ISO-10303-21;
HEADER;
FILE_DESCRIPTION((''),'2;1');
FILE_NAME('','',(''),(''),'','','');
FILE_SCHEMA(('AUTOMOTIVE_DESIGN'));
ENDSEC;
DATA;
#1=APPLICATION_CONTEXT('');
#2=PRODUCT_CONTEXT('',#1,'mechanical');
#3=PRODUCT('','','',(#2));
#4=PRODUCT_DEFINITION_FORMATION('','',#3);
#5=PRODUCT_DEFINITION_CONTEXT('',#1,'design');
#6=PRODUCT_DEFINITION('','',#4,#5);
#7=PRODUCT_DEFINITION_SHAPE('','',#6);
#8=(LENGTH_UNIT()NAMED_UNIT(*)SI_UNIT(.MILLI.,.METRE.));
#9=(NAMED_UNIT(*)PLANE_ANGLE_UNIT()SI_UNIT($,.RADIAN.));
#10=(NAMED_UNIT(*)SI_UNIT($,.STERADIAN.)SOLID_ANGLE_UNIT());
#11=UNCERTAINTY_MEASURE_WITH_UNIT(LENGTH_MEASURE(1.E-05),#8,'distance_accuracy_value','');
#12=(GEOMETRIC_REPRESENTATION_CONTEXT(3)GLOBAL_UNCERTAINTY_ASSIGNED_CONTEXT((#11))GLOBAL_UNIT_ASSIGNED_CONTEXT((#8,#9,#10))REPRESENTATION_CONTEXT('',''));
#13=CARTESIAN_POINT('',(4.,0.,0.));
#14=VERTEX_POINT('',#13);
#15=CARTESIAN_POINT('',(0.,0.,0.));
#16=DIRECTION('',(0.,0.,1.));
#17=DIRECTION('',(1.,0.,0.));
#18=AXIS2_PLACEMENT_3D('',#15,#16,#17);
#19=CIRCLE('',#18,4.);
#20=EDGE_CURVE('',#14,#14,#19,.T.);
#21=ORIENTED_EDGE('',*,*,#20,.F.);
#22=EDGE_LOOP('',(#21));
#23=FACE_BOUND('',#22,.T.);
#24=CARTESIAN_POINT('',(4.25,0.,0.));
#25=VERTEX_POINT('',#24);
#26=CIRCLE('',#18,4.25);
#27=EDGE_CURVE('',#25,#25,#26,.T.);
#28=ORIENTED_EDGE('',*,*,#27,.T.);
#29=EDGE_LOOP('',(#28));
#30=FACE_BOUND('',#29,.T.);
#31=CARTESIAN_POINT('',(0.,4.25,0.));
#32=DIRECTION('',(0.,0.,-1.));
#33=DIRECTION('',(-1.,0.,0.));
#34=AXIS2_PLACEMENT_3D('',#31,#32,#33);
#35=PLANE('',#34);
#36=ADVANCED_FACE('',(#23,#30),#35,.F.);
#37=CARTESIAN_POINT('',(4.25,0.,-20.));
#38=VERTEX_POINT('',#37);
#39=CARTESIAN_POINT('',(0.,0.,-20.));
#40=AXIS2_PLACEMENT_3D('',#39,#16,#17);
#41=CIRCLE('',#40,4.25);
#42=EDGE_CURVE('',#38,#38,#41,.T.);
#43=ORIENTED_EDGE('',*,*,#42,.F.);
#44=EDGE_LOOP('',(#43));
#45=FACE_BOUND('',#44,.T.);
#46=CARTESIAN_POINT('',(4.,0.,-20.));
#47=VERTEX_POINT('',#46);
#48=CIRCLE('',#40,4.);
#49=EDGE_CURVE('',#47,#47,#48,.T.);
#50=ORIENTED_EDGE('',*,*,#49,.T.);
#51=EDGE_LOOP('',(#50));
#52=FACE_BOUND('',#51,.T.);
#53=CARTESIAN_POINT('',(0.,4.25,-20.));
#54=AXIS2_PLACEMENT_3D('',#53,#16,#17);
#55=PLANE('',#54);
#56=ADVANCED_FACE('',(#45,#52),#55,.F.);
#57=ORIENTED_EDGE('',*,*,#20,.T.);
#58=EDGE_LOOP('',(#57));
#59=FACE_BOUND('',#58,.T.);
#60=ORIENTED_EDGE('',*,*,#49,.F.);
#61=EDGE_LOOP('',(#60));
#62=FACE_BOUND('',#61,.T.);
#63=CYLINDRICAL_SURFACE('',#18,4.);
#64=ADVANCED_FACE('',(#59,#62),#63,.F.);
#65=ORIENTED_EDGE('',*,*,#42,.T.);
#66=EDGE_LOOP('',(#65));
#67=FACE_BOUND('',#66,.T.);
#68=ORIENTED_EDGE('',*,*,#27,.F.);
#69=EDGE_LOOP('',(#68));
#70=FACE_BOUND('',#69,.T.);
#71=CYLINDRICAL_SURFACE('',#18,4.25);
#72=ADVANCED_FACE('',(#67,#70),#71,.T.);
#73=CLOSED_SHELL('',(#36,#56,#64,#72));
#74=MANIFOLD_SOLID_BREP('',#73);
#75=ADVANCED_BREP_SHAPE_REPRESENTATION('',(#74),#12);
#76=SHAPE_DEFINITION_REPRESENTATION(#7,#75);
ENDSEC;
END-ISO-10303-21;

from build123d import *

# Parameters (mm, degrees)
SKETCH1_W = 20
SKETCH1_H = 0.25


with BuildPart() as part:
    # Sketch1 → Revolve1 (revolve)
    with BuildSketch(Plane(origin=(0, 0, 0), x_dir=(0, 0, -1), z_dir=(1, 0, 0)), mode=Mode.PRIVATE) as revolve1_sk:
        with Locations((10, 4.125)):
            Rectangle(SKETCH1_W, SKETCH1_H)
    revolve(revolve1_sk.sketch.rotate(Axis((0, 0, 0), (0, 0, -1)), 90), axis=Axis((0, 0, 0), (0, 0, -1)))


solid = part.part
